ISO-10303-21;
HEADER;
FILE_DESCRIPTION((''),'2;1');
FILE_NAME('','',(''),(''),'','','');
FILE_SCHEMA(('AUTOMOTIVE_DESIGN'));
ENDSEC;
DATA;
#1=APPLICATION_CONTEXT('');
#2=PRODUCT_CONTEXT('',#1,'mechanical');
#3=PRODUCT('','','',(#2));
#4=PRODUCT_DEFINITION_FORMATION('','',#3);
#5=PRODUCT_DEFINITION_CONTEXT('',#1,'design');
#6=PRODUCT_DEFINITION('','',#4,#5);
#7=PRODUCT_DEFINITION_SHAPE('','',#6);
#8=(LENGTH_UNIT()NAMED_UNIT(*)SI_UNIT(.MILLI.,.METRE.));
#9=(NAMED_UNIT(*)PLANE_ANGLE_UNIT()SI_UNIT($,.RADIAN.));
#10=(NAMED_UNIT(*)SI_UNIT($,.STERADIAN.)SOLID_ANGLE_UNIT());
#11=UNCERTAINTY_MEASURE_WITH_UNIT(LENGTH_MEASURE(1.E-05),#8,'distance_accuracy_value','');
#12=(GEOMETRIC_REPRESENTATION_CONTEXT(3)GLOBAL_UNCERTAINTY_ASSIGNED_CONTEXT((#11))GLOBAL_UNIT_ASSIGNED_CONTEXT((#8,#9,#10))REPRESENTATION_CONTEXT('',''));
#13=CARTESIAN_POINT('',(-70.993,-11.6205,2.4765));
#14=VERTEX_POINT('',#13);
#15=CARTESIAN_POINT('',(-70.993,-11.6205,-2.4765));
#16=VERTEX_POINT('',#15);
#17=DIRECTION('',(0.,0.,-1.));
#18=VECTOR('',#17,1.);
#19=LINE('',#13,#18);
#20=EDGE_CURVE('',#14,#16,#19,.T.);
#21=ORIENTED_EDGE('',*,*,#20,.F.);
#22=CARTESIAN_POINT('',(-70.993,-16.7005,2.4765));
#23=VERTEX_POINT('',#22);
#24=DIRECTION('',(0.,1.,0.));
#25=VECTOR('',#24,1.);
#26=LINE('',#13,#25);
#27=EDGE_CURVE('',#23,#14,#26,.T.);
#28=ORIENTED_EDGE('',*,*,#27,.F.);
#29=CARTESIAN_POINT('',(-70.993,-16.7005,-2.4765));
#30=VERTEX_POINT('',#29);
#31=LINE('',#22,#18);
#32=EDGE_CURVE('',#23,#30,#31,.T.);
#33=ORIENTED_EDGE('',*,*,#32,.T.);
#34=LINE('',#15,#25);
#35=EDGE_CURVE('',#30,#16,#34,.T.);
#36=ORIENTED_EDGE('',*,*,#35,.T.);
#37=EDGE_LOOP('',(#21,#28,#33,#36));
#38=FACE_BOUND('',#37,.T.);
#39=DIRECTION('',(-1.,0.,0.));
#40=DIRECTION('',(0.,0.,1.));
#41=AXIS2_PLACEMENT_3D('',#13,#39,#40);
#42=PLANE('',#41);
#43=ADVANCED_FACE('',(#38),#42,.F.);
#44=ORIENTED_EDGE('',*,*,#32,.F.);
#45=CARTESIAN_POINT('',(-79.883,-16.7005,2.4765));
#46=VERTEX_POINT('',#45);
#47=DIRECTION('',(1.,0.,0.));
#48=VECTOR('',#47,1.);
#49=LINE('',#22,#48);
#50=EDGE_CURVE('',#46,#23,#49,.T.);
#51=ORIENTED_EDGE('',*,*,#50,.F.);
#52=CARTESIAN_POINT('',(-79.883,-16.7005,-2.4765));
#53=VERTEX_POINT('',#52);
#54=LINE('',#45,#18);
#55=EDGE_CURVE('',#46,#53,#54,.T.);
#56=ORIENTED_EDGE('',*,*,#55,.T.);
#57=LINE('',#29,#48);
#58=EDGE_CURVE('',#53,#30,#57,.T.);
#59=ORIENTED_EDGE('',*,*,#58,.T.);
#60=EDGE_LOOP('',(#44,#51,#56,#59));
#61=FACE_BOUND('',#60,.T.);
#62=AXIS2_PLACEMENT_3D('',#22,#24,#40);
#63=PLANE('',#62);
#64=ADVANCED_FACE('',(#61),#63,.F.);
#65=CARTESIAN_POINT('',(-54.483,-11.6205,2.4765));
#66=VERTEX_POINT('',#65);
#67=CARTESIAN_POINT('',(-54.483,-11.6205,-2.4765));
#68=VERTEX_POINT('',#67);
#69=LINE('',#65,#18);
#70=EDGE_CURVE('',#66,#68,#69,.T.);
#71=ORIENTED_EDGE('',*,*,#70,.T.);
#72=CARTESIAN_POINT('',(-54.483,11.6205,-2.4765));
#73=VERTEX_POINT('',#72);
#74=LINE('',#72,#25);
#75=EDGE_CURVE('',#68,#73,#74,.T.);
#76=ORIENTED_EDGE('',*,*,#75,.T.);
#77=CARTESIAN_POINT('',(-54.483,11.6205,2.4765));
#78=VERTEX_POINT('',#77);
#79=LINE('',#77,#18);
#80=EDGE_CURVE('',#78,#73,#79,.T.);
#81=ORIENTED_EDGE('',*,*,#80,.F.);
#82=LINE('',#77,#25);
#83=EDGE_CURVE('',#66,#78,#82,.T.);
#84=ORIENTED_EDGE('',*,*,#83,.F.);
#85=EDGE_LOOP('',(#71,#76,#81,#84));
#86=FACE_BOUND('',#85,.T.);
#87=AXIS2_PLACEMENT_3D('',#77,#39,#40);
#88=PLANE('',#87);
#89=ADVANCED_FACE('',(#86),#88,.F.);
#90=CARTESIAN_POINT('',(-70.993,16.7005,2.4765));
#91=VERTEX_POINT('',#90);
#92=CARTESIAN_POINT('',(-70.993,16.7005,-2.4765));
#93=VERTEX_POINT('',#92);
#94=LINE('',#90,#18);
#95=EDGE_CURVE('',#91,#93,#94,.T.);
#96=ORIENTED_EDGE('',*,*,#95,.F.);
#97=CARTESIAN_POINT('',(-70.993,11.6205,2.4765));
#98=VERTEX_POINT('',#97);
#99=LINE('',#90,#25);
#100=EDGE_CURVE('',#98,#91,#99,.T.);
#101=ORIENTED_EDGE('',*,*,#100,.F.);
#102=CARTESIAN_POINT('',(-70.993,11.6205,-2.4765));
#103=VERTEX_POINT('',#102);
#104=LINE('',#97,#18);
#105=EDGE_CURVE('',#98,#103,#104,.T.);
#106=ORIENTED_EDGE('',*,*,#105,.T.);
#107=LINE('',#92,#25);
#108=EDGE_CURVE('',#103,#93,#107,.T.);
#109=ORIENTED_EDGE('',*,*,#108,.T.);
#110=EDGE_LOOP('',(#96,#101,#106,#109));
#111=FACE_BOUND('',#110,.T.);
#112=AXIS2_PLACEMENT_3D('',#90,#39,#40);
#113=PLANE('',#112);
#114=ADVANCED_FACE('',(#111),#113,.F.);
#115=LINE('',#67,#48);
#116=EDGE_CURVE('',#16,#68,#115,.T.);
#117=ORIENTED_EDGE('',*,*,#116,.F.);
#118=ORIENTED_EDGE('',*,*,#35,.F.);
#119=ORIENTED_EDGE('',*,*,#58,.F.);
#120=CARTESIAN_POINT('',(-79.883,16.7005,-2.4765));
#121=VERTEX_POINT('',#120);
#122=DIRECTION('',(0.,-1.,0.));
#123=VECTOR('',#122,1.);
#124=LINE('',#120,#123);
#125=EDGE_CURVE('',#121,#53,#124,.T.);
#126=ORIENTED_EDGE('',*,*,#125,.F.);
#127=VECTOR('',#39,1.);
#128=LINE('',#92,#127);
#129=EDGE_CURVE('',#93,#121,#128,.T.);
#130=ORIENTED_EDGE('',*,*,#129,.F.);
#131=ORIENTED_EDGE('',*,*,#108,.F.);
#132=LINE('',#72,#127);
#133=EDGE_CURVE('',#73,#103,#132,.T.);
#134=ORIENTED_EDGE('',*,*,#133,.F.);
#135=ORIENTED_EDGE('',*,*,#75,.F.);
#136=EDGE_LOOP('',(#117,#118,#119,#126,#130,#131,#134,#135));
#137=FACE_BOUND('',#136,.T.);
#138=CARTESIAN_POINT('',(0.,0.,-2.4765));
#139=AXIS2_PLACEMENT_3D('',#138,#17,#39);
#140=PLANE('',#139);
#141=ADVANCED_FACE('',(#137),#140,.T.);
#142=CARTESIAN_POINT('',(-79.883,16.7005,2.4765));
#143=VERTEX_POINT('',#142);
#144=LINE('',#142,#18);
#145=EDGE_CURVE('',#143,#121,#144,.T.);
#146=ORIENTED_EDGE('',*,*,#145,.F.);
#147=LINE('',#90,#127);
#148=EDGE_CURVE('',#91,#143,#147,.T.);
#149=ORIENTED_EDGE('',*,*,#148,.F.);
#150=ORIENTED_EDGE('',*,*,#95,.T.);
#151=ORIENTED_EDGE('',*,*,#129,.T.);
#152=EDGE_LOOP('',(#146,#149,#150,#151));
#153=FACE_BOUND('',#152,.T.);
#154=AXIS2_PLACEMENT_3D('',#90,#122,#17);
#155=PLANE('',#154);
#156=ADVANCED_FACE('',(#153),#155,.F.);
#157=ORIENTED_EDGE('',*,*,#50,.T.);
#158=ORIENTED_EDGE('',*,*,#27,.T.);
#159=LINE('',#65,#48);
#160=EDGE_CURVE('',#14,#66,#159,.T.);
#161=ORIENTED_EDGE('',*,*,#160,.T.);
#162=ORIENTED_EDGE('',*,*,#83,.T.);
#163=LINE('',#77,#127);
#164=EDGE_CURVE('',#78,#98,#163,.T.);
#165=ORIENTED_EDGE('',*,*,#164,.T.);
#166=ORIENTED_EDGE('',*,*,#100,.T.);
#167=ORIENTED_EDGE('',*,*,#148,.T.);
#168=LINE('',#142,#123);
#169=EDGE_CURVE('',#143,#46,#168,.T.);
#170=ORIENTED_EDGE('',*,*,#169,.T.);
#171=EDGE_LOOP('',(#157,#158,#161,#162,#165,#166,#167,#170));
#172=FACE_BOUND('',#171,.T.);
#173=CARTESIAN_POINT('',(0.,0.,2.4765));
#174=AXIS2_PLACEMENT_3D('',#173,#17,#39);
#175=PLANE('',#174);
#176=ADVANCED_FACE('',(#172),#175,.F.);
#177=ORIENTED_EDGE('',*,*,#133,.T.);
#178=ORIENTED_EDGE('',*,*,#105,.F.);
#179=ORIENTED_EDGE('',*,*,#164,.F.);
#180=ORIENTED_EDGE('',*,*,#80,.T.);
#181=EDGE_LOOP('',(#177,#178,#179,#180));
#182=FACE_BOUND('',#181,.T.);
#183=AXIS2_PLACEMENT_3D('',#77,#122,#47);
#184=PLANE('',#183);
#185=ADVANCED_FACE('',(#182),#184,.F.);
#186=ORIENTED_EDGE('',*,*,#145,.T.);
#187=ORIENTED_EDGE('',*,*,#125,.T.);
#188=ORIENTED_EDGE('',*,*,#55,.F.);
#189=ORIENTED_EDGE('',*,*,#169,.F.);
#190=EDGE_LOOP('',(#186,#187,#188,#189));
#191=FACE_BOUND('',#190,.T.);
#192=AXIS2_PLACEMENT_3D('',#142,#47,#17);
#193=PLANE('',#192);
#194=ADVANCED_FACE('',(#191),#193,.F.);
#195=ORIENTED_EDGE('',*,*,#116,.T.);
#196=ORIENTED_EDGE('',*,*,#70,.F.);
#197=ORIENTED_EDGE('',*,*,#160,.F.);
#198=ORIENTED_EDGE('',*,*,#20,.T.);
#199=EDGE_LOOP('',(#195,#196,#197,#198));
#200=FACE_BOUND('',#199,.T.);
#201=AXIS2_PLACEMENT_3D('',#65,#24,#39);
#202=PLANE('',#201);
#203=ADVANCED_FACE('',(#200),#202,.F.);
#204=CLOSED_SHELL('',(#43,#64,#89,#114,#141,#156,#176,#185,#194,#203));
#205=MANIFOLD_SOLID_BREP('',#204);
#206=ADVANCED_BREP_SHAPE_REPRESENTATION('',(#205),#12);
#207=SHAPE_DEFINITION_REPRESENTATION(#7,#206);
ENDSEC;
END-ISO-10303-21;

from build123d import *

# Parameters (mm, degrees)
BOSS_EXTRUDE1_DEPTH = 2.4765


with BuildPart() as part:
    # Sketch1 → Boss-Extrude1 (new, symmetric)
    with BuildSketch(Plane.XY):
        Polygon((-54.483, 11.6205), (-70.993, 11.6205), (-70.993, 16.7005), (-79.883, 16.7005), (-79.883, -16.7005), (-70.993, -16.7005), (-70.993, -11.6205), (-54.483, -11.6205), align=None)
    extrude(amount=BOSS_EXTRUDE1_DEPTH, both=True)


solid = part.part
